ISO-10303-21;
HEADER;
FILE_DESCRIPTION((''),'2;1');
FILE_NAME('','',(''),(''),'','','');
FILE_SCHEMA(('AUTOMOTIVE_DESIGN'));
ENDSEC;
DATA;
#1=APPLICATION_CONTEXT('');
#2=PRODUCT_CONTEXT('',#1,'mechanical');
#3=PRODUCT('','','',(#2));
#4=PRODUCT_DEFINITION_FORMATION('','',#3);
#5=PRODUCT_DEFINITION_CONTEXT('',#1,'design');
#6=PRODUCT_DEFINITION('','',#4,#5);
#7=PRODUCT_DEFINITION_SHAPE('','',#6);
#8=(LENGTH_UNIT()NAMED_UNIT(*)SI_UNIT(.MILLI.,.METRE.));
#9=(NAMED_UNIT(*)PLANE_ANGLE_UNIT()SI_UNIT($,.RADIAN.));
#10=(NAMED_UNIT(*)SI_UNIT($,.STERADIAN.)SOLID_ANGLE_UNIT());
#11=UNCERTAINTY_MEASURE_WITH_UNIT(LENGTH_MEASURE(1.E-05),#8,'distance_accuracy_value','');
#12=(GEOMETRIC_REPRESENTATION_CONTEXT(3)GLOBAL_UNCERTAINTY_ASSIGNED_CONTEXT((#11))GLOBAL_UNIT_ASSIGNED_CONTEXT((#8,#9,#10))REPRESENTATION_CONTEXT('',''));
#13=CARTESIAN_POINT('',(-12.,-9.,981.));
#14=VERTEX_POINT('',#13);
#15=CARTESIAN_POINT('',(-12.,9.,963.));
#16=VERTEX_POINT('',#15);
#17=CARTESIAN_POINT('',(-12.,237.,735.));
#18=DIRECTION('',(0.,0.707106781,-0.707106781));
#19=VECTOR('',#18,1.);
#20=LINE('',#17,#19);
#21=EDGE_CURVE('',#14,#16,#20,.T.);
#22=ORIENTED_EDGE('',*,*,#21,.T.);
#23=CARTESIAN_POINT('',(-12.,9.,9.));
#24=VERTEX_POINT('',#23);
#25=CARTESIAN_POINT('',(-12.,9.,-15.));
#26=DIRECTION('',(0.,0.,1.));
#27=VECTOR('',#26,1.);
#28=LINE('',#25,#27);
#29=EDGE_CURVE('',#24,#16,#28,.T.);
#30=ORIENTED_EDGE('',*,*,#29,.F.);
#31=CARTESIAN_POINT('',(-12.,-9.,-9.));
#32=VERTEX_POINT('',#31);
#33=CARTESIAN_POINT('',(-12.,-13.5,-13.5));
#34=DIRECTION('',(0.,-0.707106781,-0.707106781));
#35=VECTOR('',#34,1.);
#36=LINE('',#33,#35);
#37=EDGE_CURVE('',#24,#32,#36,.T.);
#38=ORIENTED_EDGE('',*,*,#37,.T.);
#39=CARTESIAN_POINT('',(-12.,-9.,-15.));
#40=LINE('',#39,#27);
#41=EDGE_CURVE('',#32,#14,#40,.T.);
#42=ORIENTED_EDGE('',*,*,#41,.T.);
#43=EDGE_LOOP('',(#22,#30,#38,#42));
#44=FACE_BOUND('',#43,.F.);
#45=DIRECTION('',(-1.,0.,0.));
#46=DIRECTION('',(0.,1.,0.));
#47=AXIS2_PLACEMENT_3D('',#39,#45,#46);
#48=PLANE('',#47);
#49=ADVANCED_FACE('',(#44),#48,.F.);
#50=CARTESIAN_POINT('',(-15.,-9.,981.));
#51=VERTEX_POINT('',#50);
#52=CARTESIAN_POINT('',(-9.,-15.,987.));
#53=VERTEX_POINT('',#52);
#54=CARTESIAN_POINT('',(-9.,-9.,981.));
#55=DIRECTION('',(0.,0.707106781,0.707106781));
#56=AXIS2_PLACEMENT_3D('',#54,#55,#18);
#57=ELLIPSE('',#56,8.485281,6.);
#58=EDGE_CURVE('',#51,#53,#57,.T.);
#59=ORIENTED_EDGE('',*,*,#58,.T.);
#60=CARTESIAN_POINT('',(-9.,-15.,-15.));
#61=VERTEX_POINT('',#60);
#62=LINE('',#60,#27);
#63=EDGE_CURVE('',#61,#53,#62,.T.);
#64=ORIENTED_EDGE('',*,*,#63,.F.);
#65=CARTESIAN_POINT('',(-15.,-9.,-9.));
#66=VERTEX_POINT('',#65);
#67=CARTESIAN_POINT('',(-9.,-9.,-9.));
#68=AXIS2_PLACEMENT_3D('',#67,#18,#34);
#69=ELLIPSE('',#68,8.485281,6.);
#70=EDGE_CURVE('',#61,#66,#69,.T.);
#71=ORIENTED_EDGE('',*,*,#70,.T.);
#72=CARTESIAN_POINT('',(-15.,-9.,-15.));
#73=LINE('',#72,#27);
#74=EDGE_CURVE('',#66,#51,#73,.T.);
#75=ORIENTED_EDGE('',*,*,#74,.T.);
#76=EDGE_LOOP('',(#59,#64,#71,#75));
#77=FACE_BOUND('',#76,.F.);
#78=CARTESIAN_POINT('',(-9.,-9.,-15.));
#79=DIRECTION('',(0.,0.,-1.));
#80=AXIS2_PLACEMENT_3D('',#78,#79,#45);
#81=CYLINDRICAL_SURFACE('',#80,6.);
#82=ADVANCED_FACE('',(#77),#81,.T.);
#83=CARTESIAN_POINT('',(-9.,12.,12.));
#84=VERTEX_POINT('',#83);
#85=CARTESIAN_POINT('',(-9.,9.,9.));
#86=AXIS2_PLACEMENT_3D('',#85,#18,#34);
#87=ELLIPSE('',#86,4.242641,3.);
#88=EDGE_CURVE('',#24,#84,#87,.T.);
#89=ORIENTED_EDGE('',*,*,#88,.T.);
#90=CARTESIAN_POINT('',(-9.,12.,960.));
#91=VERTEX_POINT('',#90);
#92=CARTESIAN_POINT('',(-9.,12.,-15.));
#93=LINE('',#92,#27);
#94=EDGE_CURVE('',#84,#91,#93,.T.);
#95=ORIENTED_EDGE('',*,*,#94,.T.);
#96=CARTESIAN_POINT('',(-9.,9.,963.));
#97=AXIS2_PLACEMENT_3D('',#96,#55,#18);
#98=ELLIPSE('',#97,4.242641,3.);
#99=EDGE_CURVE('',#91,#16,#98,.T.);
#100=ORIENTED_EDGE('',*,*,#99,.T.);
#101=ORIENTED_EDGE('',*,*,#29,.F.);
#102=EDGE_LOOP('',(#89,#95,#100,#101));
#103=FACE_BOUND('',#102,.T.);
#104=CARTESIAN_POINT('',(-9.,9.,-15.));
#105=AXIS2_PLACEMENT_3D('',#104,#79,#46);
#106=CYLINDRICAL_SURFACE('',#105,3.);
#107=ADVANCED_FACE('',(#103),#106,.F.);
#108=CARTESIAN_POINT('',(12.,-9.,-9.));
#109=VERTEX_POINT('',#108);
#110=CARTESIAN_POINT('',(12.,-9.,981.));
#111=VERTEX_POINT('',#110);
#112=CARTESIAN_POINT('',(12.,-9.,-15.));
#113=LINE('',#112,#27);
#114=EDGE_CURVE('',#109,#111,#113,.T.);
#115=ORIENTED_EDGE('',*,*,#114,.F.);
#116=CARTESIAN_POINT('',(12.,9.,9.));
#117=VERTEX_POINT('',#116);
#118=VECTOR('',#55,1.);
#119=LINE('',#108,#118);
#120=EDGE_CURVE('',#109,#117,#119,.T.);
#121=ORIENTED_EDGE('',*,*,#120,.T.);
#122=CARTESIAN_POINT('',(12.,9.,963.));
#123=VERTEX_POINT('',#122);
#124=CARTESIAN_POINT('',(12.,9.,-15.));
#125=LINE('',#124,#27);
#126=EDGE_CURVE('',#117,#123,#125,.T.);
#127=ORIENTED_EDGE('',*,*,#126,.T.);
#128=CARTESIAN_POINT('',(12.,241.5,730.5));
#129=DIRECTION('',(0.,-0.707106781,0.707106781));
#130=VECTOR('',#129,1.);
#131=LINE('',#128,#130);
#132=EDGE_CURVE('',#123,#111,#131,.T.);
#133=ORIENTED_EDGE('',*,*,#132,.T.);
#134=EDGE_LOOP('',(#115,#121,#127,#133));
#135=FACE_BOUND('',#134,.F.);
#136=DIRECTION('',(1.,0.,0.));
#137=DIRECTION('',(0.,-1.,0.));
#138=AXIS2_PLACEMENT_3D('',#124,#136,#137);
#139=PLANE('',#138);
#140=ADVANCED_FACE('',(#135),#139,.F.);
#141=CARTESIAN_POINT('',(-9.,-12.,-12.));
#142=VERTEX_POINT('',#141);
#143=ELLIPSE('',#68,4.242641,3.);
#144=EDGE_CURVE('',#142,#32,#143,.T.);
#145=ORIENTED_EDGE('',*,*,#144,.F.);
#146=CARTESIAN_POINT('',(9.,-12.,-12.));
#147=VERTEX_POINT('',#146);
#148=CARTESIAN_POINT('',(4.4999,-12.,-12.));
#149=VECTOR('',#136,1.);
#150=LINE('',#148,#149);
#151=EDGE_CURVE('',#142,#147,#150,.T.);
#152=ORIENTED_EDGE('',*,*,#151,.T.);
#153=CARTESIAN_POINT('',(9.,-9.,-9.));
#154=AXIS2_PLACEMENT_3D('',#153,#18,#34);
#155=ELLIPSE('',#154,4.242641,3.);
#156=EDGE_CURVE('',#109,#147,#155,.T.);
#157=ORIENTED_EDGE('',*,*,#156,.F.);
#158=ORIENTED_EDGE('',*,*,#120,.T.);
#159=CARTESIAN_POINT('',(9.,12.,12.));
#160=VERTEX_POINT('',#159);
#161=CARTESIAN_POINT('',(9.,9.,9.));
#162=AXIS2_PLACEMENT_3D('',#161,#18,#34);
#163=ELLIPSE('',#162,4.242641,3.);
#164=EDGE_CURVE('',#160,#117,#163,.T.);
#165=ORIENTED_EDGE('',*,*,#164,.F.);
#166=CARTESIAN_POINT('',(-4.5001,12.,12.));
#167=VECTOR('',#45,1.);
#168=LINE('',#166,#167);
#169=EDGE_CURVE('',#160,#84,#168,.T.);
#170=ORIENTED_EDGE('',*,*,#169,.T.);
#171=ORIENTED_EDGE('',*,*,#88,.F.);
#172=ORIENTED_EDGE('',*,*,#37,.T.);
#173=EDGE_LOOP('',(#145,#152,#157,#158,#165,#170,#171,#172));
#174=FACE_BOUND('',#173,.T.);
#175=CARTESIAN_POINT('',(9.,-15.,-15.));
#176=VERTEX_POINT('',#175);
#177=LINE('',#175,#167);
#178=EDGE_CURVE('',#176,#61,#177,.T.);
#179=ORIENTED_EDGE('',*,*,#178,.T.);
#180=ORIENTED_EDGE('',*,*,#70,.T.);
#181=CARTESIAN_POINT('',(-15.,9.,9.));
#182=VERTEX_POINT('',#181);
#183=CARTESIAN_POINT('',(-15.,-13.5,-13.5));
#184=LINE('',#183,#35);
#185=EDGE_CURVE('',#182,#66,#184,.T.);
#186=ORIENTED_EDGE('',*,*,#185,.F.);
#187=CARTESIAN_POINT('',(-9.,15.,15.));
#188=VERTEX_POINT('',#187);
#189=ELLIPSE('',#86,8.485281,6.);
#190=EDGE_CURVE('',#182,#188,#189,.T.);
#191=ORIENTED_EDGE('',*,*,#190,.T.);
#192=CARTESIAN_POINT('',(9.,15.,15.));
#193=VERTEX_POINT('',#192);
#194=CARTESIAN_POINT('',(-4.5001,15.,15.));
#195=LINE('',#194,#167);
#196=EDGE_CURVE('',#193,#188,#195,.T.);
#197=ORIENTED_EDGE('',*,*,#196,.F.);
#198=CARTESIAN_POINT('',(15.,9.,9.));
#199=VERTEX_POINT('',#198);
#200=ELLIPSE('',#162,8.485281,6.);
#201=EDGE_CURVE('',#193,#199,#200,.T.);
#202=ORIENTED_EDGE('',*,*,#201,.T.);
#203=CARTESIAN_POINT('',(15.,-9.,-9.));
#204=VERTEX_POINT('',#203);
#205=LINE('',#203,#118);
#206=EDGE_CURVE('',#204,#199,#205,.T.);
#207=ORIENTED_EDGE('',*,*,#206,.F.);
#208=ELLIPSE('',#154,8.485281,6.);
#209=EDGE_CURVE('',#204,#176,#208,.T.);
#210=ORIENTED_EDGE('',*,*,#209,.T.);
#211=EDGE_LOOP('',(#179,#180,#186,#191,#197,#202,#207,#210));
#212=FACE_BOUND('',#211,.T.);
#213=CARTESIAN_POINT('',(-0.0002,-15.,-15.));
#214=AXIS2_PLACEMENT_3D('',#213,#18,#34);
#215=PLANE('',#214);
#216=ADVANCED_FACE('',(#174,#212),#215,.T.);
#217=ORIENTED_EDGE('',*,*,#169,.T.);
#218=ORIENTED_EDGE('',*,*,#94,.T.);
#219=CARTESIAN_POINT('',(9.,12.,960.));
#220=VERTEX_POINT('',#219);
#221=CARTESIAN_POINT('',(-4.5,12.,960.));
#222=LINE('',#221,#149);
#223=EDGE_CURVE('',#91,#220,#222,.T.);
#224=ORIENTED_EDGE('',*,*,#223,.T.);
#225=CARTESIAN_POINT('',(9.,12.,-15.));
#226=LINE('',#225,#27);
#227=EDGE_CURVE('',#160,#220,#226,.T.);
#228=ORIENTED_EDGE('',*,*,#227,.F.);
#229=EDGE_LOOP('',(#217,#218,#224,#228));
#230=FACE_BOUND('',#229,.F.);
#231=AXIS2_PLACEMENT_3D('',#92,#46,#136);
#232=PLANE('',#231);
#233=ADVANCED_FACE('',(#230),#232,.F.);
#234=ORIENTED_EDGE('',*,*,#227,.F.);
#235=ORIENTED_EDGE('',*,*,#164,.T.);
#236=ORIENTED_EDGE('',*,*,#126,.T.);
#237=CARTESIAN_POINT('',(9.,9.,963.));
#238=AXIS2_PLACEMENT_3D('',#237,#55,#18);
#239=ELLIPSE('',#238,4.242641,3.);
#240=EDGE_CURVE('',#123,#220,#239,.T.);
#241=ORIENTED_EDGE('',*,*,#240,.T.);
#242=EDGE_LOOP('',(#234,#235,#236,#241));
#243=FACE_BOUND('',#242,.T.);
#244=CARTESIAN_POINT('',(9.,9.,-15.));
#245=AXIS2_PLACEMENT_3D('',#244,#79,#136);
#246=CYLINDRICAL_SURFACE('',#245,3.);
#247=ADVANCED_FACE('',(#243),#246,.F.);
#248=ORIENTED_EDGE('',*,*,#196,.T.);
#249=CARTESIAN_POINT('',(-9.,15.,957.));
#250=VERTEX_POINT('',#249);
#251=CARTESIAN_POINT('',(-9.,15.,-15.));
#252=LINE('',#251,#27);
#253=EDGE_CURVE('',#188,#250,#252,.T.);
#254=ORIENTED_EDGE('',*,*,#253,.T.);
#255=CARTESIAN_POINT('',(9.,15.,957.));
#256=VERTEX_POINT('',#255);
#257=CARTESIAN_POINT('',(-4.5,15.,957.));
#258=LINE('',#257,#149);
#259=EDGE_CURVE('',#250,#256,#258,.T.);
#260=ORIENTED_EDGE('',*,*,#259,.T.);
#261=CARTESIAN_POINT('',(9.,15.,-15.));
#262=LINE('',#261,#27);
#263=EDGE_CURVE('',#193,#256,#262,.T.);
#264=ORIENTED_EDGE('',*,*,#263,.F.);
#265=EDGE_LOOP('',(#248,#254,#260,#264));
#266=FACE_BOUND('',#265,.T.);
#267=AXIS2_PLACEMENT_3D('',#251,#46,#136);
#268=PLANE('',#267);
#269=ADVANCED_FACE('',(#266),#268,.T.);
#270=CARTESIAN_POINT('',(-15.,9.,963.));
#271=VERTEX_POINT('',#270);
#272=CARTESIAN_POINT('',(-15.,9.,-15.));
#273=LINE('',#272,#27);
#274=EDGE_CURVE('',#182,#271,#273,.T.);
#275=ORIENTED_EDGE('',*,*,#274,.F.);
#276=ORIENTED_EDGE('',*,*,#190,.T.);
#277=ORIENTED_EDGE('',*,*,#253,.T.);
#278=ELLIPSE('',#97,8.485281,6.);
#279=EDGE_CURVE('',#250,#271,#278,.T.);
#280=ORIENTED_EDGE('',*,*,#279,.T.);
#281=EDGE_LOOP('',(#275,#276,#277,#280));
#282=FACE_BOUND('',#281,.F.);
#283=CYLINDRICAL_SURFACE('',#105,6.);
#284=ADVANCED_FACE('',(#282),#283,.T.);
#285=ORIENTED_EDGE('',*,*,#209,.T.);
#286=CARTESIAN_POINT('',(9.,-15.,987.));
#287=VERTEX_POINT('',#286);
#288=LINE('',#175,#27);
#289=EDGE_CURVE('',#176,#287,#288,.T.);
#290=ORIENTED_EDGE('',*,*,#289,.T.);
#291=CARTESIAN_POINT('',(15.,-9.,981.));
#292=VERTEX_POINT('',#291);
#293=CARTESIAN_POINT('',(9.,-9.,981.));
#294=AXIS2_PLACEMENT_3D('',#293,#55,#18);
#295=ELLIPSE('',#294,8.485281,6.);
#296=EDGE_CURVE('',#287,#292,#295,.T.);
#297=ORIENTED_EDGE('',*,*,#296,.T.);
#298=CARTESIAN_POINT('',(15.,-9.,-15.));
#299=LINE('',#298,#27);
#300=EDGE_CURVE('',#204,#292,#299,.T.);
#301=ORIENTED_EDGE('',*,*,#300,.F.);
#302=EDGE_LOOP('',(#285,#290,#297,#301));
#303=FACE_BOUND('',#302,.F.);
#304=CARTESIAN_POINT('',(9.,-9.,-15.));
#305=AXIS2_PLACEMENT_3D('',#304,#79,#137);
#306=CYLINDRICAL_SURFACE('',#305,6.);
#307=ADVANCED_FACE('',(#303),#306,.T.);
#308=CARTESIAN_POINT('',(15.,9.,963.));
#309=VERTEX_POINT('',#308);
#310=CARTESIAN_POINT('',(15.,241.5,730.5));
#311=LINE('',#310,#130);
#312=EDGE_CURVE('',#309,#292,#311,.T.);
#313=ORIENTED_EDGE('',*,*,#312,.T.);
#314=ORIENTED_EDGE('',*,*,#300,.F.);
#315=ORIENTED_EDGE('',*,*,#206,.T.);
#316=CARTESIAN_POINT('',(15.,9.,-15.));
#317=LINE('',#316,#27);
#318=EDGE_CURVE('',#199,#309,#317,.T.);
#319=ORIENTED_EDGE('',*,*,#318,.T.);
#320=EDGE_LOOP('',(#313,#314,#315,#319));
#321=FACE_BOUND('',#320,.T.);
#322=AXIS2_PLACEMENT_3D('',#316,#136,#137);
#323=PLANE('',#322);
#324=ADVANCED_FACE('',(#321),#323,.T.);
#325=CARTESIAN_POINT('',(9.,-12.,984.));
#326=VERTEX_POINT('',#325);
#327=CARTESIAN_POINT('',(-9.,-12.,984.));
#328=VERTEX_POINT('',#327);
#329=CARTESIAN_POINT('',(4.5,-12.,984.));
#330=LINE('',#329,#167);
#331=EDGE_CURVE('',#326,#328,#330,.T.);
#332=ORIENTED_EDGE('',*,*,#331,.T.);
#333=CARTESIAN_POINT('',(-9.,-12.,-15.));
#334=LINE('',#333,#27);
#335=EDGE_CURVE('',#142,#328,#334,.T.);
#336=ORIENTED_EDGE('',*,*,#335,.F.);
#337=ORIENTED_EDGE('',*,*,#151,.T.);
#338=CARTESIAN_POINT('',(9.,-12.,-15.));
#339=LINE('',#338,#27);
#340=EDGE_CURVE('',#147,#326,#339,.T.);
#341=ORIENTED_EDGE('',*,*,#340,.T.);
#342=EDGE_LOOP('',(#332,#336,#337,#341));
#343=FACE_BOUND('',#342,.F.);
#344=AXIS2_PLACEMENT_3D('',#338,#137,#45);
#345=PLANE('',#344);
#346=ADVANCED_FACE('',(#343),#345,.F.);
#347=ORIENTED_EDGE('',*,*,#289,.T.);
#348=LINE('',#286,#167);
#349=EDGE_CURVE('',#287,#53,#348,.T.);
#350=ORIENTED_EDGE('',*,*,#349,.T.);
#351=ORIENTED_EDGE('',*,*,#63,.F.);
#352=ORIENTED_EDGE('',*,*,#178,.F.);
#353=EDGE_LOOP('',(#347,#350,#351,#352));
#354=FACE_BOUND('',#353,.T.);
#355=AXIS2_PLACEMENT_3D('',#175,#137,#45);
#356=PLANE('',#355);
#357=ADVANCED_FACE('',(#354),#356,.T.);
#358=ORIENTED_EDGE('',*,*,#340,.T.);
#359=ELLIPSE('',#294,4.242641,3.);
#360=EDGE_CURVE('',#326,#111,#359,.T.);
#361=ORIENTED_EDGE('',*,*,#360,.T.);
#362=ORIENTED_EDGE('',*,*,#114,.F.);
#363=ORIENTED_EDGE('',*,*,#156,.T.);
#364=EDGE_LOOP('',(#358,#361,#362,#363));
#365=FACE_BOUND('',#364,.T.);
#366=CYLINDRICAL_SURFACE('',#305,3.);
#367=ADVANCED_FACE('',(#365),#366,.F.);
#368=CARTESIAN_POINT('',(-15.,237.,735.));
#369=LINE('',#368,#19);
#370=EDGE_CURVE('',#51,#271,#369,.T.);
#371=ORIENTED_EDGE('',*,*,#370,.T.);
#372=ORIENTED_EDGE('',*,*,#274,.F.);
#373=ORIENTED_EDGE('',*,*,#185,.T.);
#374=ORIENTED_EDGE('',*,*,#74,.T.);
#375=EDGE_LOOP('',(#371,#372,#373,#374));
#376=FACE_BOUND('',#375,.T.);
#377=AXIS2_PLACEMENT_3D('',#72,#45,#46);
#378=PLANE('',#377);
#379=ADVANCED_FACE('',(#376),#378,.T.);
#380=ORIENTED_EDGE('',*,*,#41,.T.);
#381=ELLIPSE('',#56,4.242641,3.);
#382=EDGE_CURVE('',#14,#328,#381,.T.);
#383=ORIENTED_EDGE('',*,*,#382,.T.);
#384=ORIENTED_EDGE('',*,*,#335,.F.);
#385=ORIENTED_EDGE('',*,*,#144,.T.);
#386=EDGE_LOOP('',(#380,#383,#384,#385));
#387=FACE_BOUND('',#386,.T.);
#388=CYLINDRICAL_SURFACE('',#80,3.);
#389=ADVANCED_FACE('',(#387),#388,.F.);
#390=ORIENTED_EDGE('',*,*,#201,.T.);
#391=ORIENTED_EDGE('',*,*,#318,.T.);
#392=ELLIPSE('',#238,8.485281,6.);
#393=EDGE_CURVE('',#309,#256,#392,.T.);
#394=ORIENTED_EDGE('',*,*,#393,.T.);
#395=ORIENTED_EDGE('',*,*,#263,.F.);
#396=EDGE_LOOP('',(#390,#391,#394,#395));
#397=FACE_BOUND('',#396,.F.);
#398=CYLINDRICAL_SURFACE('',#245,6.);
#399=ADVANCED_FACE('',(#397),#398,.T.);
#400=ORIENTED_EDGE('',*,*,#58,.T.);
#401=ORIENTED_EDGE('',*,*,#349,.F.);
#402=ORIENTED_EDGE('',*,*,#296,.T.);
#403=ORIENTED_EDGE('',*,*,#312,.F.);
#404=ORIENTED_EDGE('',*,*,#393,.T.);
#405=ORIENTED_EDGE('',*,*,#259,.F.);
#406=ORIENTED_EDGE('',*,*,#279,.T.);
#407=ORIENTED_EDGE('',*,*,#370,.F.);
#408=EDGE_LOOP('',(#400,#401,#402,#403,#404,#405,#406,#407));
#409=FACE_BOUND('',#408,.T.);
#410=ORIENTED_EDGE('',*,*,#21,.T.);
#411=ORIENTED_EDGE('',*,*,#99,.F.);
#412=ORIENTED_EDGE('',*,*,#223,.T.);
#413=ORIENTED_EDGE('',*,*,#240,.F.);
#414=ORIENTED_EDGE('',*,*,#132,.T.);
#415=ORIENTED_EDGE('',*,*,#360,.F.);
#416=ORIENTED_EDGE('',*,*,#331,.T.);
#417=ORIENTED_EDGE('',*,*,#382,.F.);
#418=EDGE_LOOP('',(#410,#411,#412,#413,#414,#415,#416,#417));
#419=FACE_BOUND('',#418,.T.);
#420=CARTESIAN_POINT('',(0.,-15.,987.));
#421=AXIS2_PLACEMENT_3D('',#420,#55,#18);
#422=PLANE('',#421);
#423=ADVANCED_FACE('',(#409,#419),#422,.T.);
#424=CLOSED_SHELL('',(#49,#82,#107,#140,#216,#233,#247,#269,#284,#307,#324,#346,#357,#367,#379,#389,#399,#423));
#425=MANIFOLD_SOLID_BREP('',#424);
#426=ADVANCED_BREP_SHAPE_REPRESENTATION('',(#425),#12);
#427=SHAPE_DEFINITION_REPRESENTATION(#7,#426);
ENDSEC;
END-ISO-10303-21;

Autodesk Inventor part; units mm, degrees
ref_plane "Start Plane" through (0, 0, -15) normal (0, 0, 1) x (1, 0, 0)
ref_plane "End Plane" through (0, 0, 987) normal (0, 0, 1) x (1, 0, 0)
sketch "Sketch" plane through (0, 0, 0) normal (0, 0, 1) x (1, 0, 0)
  line L0 (-15, -9) -> (-15, 9)
  line L1 (-9, 15) -> (9, 15)
  line L2 (15, 9) -> (15, -9)
  line L3 (9, -15) -> (-9, -15)
  arc A0 (-15, -9) -> (-9, -15) centre (-9, -9) ccw
  arc A1 (-9, 15) -> (-15, 9) centre (-9, 9) ccw
  arc A2 (15, 9) -> (9, 15) centre (9, 9) ccw
  arc A3 (9, -15) -> (15, -9) centre (9, -9) ccw
  arc A4 (-9, 12) -> (-12, 9) centre (-9, 9) ccw
  line L4 (-9, 12) -> (9, 12)
  arc A5 (12, 9) -> (9, 12) centre (9, 9) ccw
  line L5 (12, 9) -> (12, -9)
  arc A6 (9, -12) -> (12, -9) centre (9, -9) ccw
  line L6 (9, -12) -> (-9, -12)
  arc A7 (-12, -9) -> (-9, -12) centre (-9, -9) ccw
  line L7 (-12, -9) -> (-12, 9)
  line L8 (0, 22.7397) -> (0, -22.7397) construction
  line L9 (-22.7397, 0) -> (22.7397, 0) construction
  dimension "d7" = 6
  dimension "d10" = 30
  dimension "d11" = 30
  dimension "d12" = 3
  dimension "d15" = 15
  dimension "d16" = 15
extrude "Body" add sketch "Sketch" along normal up to surface (1002 mm away) from surface at -15
sketch "Sketch3" plane through (0, 0, 0) normal (0, 0, 1) x (1, 0, 0)
  line L0 (0, 0) -> (10, 0)
ref_plane "Work Plane3" through (0, 0, 0) normal (0, -1, 0) x (1, 0, 0)
ref_plane "Work Plane6" through (0, -15, 987) normal (0, 0.7071, 0.7071) x (1, 0, 0)
split "Split3" plane through (0, -15, 987) removes the side toward (0, 0.7071, 0.7071)
ref_plane "Work Plane7" through (-0.0002, -15, -15) normal (0, 0.7071, -0.7071) x (1, 0, 0)
split "Split4" plane through (-0.0002, -15, -15) removes the side toward (0, 0.7071, -0.7071)
sketch "Sketch4" plane through (0, 0, 0) normal (0, -1, 0) x (1, 0, 0)
  line L0 (-2, -15) -> (12, -15) projected
  line L1 (-2, 987) -> (12, 987) projected
  dimension "d18" = 1002
equation "\"d7\" = G_IR"
equation "\"d10\" = G_H"
equation "\"d11\" = G_W"
equation "\"d12\" = G_T"
equation "\"d15\" = 0.5 * d10"
equation "\"d16\" = 0.5 * d11"
equation "\"d3\" = G_L"
equation "\"G_W\" = 30"
equation "\"G_H\" = 30"
equation "\"G_T\" = 3"
equation "\"G_IR\" = 6"
equation "\"G_L\" = d18"
equation "\"G_OFFSET_START\" = 14.99997"
equation "\"G_OFFSET_END\" = 15"
equation "\"d13\" = -G_OFFSET_START"
equation "\"d14\" = G_OFFSET_END + B_L"
equation "\"B_L\" = 972"
properties part number "DIN EN 10219-2 - 30 x 30 x 3  - 1002" material "Steel, Mild"
